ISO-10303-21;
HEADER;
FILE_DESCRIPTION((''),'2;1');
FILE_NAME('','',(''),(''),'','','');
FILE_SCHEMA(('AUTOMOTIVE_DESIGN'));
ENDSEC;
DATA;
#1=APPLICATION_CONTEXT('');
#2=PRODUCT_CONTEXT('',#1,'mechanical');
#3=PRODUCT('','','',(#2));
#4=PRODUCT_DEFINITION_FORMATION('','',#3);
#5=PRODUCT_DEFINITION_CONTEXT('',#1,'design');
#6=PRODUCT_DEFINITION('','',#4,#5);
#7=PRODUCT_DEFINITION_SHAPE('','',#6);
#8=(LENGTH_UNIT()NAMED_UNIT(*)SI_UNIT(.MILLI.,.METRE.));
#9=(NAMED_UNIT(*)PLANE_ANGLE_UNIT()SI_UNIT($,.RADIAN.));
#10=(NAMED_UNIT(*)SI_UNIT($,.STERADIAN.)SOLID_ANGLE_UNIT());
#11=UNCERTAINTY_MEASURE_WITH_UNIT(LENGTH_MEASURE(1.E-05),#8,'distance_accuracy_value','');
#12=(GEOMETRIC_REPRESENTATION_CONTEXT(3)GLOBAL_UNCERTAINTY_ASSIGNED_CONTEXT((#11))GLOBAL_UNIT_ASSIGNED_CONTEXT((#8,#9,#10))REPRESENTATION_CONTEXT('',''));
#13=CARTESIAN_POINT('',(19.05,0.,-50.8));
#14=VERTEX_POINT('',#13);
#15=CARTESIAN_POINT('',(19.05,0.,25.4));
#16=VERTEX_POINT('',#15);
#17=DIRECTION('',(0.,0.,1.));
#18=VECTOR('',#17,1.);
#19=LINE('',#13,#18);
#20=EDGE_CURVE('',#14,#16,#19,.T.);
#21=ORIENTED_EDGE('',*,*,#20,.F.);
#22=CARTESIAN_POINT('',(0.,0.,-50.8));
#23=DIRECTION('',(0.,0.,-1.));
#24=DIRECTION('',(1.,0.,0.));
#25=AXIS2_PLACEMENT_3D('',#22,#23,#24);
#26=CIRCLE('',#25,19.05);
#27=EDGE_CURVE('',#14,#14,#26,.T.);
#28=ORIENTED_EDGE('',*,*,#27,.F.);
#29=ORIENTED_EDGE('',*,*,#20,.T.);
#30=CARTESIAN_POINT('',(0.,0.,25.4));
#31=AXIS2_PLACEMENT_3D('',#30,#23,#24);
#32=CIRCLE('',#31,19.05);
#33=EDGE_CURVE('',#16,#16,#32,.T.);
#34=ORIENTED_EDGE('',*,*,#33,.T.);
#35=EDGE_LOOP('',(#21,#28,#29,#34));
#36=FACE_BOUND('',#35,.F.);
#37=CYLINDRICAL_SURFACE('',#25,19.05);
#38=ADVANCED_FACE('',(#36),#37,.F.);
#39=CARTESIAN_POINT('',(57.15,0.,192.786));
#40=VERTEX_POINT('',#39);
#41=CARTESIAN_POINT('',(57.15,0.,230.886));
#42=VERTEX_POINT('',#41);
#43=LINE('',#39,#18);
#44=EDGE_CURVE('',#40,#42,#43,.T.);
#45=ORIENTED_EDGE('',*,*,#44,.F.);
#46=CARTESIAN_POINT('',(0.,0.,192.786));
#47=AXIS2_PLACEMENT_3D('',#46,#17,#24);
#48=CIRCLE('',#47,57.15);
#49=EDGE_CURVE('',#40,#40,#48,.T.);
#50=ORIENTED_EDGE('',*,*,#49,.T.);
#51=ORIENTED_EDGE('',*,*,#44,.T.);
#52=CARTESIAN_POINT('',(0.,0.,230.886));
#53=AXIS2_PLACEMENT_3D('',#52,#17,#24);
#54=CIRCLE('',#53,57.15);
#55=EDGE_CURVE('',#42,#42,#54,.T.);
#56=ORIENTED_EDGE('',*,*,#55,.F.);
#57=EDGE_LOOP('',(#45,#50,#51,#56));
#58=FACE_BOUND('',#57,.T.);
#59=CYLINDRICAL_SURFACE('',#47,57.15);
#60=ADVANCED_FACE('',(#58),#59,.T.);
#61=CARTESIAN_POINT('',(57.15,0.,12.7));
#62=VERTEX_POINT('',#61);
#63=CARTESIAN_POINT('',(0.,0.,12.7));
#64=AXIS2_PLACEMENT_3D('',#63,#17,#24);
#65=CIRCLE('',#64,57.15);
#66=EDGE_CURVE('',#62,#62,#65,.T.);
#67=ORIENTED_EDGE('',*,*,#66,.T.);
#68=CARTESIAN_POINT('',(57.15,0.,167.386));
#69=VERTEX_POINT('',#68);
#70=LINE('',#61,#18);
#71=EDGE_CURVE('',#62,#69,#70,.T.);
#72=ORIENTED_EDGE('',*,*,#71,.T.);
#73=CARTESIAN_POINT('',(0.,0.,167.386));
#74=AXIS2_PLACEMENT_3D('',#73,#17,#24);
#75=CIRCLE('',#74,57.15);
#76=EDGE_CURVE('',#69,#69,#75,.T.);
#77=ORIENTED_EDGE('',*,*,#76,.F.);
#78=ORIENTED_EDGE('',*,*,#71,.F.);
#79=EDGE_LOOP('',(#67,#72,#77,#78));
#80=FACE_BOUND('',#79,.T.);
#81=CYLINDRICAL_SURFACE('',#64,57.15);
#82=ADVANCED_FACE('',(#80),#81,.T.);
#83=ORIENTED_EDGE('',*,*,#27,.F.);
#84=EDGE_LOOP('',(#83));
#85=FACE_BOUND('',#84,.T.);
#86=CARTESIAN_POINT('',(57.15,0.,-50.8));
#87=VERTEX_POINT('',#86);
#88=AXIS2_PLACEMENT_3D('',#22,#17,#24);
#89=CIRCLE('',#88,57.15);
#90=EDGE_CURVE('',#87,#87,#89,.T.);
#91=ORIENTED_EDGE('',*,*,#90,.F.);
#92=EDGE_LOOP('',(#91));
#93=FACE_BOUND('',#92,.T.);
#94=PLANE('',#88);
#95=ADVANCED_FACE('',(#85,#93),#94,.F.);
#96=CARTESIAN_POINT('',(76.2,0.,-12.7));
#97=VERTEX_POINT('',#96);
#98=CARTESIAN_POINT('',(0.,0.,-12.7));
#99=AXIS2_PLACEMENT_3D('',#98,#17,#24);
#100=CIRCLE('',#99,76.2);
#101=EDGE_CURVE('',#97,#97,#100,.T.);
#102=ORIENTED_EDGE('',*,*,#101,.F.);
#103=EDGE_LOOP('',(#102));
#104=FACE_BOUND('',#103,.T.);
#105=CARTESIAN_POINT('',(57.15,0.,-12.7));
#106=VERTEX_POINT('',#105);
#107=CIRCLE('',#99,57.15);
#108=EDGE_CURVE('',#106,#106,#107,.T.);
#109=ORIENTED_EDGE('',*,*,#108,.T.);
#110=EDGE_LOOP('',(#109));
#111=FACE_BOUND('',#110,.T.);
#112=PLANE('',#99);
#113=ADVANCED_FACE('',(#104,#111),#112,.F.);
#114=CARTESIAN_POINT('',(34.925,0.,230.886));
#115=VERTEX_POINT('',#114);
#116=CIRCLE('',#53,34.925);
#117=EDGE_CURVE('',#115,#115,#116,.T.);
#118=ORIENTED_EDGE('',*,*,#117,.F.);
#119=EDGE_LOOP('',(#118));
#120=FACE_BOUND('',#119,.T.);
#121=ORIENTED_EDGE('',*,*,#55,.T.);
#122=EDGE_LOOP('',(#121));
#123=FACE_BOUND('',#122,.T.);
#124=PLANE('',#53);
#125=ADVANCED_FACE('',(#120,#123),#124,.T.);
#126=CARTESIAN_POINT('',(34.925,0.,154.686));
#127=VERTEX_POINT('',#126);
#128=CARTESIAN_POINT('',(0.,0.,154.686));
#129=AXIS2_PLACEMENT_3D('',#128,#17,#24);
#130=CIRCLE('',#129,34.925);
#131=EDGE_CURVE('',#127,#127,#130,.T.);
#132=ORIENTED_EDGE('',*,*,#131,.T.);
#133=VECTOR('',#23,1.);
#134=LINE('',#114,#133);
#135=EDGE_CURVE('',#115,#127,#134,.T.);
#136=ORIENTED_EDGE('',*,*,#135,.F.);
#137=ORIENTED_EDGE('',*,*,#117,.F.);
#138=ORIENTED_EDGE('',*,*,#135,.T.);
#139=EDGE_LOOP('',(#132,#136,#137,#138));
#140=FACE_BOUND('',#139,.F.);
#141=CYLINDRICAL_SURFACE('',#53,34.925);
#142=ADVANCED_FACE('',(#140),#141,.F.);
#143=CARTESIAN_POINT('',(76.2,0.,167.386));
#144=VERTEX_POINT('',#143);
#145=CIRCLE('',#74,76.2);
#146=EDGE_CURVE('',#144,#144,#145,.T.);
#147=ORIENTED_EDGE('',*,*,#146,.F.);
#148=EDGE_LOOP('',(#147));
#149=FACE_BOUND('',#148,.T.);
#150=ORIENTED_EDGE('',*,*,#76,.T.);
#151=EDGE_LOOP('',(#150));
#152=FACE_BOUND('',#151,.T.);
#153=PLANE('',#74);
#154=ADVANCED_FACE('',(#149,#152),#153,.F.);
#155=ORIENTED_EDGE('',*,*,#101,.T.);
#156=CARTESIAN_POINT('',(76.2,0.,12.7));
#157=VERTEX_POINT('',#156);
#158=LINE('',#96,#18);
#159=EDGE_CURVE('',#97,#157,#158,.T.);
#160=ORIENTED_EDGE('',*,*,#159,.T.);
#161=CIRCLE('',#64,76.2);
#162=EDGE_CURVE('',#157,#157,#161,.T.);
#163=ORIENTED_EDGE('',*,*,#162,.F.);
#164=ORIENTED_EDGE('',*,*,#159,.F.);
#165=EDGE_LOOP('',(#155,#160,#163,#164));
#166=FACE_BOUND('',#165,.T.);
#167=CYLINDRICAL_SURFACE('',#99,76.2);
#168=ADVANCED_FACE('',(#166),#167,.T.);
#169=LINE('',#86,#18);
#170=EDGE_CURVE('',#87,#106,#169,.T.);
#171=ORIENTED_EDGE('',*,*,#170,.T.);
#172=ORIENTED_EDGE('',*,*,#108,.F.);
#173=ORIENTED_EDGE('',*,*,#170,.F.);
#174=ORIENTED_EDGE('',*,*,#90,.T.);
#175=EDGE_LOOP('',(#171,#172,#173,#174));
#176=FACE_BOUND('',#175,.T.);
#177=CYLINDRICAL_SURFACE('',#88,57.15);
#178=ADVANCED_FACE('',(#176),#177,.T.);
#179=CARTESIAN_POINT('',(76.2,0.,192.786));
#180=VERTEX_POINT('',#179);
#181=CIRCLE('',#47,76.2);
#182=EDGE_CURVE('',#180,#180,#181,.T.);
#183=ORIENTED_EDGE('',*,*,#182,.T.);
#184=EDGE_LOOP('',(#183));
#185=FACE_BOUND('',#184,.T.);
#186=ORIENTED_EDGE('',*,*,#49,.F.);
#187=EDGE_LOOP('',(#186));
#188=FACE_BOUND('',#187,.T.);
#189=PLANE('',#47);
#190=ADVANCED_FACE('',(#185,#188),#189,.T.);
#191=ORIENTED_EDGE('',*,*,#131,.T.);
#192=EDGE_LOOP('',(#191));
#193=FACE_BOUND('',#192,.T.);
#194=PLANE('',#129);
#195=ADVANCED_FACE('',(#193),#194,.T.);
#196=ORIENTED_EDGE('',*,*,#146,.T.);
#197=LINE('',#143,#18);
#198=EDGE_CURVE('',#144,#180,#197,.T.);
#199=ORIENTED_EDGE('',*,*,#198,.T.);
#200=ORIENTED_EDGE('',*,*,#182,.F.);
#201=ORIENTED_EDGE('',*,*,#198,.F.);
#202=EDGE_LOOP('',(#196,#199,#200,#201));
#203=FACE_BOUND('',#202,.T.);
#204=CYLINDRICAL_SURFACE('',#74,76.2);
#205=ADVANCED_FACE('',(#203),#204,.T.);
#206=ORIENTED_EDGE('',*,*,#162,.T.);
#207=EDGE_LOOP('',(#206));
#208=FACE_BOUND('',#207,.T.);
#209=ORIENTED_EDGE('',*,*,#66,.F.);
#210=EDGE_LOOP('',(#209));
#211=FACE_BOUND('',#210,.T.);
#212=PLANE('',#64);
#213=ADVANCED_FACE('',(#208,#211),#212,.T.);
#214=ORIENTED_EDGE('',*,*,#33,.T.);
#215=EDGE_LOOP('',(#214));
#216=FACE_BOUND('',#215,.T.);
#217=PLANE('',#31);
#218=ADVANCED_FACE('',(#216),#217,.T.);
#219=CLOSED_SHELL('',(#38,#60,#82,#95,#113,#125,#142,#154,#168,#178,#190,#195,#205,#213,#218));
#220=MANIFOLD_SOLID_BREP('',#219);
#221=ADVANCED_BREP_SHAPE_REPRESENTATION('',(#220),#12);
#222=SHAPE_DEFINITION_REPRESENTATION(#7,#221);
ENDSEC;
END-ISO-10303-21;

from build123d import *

# Parameters (mm, degrees)
F2_R     = 19.05
F3_DEPTH = 76.2
F4_R     = 34.925
F5_DEPTH = 76.2


with BuildPart() as f1:
    # F0 (on Front) → F1 (revolve)
    with BuildSketch(Plane.XZ):
        Polygon((0, 180.086), (0, 0), (76.2, 0), (76.2, 12.7), (57.15, 12.7), (57.15, 167.386), (76.2, 167.386), (76.2, 180.086), align=None)
        Polygon((76.2, 0), (0, 0), (0, -50.8), (57.15, -50.8), (57.15, -12.7), (76.2, -12.7), align=None)
        Polygon((0, 230.886), (0, 180.086), (76.2, 180.086), (76.2, 192.786), (57.15, 192.786), (57.15, 230.886), align=None)
    revolve(axis=Axis((0, 0, 90.043), (0, 0, 1)))

    # F2 (on face) → F3 (cut)
    with BuildSketch(Plane(origin=(0, 0, -50.8), x_dir=(1, 0, 0), z_dir=(0, 0, -1))):
        Circle(F2_R)
    extrude(amount=-F3_DEPTH, mode=Mode.SUBTRACT)

    # F4 (on face) → F5 (cut)
    with BuildSketch(Plane.XY.offset(230.886)):
        Circle(F4_R)
    extrude(amount=-F5_DEPTH, mode=Mode.SUBTRACT)


solid = f1.part
